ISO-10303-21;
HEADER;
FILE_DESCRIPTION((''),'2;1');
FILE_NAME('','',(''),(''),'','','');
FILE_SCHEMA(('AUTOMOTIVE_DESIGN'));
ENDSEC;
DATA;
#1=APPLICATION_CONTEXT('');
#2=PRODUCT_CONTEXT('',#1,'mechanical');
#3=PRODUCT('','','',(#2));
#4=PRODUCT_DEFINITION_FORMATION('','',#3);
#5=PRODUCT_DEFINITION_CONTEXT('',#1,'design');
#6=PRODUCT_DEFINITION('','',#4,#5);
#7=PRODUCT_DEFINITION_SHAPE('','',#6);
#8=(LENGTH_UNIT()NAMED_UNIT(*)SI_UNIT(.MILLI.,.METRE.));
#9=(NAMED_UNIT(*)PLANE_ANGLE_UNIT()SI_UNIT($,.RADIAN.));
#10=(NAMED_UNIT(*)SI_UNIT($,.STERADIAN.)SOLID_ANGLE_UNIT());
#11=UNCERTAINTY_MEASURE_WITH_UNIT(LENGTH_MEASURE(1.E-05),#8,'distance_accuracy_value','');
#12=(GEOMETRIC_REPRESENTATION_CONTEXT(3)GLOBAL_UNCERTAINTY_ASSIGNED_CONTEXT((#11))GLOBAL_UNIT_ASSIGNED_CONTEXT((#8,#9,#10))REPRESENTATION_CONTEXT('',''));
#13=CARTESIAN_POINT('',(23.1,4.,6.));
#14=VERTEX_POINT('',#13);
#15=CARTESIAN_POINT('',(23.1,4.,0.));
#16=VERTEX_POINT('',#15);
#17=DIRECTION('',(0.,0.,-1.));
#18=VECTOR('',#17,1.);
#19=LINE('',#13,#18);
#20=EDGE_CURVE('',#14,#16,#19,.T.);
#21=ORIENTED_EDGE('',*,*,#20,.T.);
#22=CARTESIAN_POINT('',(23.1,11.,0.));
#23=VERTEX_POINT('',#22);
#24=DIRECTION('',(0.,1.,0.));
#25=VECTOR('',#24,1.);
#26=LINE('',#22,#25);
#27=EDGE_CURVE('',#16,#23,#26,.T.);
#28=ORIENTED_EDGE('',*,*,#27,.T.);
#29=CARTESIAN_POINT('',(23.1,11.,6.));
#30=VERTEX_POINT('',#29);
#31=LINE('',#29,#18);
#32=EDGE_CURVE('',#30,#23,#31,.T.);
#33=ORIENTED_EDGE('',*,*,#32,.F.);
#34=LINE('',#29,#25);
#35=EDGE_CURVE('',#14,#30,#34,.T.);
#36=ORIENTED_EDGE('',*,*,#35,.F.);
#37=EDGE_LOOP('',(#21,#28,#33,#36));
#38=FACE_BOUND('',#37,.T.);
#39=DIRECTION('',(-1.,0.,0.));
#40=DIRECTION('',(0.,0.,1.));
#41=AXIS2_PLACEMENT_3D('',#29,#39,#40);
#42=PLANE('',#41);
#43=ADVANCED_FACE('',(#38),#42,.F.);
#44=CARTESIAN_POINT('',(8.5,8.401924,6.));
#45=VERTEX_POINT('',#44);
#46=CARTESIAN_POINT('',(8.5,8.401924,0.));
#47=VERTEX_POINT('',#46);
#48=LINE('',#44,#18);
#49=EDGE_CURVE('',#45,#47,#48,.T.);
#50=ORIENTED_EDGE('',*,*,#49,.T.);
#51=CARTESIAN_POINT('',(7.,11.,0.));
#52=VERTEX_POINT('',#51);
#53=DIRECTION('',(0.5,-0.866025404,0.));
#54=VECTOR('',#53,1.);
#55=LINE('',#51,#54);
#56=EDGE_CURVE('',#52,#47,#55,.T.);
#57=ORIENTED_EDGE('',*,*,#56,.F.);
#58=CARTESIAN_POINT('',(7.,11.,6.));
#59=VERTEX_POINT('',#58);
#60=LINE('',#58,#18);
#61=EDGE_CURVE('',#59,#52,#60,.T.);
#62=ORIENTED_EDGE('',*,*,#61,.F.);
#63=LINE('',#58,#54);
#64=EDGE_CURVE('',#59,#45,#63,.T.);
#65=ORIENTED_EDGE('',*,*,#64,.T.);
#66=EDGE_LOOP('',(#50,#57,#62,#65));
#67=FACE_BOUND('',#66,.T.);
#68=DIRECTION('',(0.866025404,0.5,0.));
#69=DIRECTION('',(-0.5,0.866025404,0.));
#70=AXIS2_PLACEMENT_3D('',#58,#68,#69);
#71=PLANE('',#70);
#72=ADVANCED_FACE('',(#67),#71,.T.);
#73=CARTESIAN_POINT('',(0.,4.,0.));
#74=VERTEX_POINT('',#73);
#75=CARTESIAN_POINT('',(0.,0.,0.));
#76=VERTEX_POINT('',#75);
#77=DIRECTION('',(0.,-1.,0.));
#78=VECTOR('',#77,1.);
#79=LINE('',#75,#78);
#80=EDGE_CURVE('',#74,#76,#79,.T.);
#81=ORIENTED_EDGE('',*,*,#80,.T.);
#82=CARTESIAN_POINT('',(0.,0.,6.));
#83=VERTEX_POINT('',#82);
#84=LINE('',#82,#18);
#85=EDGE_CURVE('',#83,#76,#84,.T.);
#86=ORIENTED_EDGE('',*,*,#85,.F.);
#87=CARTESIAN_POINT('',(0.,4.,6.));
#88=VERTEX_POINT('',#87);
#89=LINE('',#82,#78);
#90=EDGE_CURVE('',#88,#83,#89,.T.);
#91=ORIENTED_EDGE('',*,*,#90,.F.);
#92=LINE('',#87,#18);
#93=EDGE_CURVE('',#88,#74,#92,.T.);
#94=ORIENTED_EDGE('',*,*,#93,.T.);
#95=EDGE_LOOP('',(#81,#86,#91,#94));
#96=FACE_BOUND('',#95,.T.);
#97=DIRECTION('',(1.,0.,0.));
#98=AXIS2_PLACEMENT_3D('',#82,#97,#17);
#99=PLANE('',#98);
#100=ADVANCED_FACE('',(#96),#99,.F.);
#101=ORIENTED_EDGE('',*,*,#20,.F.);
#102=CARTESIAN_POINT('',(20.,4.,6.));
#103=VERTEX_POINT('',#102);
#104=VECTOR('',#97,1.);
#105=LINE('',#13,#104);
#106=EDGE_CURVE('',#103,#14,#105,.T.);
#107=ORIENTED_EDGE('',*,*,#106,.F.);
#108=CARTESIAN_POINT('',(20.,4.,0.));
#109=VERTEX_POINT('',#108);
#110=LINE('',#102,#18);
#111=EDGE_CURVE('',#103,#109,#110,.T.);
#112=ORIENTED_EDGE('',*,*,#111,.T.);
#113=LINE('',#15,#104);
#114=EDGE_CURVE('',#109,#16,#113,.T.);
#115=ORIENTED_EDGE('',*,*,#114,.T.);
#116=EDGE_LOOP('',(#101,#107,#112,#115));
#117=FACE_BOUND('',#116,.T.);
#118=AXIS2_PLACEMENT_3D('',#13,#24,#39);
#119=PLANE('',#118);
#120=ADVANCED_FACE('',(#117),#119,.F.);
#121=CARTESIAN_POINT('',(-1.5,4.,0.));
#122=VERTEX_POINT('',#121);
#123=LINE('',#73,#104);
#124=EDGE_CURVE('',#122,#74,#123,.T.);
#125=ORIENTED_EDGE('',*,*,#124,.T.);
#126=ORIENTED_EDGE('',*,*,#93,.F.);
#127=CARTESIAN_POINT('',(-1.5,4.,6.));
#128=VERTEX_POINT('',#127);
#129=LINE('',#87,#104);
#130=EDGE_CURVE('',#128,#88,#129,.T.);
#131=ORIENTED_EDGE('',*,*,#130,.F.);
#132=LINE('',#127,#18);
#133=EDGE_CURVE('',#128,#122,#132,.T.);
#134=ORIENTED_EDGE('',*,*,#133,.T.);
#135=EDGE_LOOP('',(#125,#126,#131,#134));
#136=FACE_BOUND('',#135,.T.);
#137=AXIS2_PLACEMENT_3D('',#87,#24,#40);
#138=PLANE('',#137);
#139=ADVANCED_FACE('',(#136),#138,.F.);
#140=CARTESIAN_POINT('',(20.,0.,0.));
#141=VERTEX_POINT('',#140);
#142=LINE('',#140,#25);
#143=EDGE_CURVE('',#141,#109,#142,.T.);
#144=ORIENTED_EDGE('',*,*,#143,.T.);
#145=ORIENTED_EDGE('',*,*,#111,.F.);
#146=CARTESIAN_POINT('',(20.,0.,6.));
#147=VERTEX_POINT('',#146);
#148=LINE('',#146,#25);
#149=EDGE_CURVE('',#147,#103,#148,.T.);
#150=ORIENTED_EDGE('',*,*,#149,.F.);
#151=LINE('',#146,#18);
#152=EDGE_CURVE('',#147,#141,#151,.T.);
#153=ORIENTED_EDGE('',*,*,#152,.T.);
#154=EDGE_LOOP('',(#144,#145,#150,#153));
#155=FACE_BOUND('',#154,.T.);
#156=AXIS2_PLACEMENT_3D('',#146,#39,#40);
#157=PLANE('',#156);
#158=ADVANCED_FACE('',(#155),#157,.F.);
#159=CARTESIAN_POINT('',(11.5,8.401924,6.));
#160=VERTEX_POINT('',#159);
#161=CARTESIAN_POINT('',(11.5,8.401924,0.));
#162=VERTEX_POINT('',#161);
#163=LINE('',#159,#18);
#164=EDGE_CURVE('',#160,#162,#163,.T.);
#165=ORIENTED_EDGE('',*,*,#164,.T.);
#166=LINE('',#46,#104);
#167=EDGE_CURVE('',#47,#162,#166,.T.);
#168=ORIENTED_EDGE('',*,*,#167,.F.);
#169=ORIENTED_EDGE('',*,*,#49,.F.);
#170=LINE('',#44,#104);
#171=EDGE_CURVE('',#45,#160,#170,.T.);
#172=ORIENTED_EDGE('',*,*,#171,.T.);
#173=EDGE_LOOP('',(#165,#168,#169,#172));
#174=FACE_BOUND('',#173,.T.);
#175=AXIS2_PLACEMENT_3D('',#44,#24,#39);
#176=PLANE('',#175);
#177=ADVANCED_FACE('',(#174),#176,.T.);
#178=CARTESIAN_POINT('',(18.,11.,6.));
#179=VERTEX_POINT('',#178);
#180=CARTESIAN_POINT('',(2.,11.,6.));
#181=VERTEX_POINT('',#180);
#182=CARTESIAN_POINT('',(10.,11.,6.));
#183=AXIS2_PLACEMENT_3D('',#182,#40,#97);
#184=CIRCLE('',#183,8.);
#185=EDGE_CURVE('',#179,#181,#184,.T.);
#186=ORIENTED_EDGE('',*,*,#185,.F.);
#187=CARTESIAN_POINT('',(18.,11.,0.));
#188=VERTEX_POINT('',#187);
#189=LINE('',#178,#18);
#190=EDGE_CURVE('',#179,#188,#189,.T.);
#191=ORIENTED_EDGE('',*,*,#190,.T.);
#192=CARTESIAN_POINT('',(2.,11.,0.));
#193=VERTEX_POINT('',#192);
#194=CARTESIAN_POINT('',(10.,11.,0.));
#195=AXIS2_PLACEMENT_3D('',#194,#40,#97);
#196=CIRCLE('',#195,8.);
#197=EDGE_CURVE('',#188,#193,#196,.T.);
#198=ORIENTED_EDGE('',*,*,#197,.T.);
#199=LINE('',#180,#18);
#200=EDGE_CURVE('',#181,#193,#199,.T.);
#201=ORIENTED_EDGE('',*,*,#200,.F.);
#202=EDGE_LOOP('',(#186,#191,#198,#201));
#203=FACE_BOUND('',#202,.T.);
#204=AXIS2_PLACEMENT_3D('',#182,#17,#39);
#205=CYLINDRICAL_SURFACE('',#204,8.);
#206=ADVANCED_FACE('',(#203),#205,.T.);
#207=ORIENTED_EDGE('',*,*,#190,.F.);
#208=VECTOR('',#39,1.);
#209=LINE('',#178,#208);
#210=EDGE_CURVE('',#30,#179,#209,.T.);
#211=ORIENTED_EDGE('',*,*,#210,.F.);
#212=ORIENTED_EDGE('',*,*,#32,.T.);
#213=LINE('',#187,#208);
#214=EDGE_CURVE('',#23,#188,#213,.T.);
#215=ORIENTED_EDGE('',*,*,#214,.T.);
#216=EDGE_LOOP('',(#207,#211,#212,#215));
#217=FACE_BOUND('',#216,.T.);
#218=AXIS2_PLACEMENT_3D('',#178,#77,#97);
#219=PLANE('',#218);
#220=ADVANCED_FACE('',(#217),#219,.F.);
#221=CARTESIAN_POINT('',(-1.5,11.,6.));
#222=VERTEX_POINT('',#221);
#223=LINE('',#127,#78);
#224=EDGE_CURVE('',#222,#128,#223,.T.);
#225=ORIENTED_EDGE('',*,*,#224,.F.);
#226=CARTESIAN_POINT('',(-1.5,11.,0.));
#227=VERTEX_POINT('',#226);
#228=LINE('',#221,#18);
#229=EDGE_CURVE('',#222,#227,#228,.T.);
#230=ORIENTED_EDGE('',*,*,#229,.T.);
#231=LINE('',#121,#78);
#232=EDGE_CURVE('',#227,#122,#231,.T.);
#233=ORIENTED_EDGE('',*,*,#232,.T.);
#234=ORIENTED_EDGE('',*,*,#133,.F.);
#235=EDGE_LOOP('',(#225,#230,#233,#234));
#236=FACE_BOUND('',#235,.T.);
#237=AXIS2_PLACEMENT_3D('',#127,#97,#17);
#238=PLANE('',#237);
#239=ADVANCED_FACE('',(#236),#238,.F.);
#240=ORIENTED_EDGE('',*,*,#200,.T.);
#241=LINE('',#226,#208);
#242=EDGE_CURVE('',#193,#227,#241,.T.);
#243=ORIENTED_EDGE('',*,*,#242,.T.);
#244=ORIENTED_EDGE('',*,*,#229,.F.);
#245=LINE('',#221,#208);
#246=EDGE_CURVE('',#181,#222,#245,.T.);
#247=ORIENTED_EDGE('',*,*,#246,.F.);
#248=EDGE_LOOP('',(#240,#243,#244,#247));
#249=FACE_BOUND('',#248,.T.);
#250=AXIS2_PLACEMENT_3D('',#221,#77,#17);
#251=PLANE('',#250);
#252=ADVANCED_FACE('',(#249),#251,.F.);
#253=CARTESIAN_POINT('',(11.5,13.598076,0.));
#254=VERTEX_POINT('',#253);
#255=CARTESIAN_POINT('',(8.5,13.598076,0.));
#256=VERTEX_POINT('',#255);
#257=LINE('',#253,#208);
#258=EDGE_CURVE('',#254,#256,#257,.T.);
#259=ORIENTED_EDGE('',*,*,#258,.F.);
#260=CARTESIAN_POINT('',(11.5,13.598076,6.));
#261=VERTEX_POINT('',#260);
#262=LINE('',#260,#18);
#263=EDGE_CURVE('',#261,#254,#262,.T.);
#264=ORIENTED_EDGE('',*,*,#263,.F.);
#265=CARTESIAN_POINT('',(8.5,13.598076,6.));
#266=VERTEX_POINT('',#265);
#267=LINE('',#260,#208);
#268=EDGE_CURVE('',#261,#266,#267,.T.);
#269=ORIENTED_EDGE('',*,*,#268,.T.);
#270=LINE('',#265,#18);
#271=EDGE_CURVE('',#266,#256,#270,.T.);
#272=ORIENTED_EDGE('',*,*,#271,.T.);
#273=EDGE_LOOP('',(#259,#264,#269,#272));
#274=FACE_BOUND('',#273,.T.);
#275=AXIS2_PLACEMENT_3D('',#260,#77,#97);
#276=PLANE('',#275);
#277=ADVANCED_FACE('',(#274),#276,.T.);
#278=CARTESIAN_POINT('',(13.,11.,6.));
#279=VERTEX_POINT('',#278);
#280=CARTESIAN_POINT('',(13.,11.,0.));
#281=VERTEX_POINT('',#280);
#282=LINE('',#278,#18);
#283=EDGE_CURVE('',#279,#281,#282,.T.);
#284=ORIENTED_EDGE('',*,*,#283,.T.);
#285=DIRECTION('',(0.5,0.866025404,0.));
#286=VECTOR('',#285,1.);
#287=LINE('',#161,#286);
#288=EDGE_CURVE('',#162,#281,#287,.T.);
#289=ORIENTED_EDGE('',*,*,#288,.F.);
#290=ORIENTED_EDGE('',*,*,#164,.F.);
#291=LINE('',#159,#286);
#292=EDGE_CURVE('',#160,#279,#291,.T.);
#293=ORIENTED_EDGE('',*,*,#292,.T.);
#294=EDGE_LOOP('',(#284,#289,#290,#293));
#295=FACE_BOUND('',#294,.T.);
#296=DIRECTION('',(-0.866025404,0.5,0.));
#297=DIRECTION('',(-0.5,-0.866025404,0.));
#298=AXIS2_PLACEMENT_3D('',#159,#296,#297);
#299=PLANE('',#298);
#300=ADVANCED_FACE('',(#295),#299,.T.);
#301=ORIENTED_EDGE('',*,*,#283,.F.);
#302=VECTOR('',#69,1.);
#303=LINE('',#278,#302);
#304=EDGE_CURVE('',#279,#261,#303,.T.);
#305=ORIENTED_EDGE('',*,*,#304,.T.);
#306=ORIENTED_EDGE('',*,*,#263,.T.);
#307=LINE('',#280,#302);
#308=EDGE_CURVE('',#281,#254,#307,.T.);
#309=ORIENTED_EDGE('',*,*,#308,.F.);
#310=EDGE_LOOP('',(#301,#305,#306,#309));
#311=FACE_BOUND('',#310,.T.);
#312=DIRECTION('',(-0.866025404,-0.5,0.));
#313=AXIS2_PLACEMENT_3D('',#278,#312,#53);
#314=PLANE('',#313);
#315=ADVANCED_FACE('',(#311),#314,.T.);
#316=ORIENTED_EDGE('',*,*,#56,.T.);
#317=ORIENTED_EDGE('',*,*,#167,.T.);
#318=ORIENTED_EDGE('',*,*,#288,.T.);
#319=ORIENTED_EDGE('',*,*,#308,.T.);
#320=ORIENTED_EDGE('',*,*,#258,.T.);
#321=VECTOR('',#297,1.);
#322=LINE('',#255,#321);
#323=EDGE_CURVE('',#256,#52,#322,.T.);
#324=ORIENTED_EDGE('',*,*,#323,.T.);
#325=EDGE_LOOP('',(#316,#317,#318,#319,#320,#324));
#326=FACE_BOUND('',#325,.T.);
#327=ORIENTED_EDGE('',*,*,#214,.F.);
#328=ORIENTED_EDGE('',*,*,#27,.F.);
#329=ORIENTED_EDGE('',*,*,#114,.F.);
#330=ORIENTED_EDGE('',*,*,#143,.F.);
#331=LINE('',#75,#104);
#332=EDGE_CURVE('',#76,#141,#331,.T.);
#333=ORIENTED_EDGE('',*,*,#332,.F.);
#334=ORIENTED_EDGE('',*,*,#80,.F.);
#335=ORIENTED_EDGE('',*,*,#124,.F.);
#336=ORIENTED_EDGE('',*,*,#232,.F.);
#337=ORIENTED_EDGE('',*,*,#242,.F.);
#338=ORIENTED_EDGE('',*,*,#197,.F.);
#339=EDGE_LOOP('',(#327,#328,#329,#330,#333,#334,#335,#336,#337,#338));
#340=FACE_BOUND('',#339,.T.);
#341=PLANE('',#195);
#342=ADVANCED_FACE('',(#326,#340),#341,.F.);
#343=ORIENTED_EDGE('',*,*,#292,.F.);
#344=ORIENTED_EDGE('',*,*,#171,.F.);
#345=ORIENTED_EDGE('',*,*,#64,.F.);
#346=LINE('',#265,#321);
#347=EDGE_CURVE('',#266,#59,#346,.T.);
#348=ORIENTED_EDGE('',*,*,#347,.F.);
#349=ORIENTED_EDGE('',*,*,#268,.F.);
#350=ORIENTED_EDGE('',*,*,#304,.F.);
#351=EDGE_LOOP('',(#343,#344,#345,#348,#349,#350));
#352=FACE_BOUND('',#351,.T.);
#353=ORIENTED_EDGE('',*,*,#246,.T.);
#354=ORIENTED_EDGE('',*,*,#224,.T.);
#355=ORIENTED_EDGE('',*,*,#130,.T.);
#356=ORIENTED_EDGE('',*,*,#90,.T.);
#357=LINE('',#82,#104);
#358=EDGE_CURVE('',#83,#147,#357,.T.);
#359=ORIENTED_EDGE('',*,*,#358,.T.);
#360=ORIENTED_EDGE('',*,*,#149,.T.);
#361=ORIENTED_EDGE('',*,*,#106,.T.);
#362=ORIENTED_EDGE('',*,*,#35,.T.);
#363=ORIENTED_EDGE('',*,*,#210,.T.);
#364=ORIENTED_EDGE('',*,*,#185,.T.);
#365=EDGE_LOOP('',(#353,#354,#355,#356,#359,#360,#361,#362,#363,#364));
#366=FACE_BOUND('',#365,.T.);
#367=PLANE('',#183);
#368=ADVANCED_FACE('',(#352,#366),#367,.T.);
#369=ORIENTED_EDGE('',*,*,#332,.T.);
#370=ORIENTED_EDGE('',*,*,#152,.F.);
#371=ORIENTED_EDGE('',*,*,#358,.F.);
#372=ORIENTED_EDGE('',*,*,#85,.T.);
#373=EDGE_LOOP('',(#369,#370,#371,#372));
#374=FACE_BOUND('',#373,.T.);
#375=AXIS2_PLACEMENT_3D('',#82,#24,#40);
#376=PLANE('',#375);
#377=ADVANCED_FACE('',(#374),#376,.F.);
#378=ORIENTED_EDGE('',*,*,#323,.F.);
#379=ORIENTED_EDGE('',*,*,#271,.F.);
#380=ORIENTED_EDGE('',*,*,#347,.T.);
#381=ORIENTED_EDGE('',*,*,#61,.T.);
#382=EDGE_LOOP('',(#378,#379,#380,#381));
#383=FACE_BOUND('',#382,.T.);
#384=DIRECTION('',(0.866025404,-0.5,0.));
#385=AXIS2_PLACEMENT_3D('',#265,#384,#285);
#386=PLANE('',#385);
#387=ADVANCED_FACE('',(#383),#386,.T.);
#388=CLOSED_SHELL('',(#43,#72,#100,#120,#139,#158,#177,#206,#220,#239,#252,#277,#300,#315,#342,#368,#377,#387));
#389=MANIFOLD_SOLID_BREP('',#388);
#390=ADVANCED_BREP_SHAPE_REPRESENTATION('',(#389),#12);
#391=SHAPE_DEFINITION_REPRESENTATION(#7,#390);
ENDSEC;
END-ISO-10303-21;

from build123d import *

# Parameters (mm, degrees)
BOSS_EXTRUDE1_DEPTH = 6


with BuildPart() as part:
    # Sketch1 → Boss-Extrude1 (new body)
    with BuildSketch(Plane.XY):
        with BuildLine():
            Line((0, 0), (20, 0))
            Line((20, 0), (20, 4))
            Line((20, 4), (23.1, 4))
            Line((23.1, 4), (23.1, 11))
            Line((23.1, 11), (18, 11))
            ThreePointArc((18, 11), (10, 19), (2, 11))
            Line((2, 11), (-1.5, 11))
            Line((-1.5, 11), (-1.5, 4))
            Line((-1.5, 4), (0, 4))
            Line((0, 4), (0, 0))
        make_face()
        Polygon((13, 11), (11.5, 13.598076211), (8.5, 13.598076211), (7, 11), (8.5, 8.401923789), (11.5, 8.401923789), align=None, mode=Mode.SUBTRACT)
    extrude(amount=BOSS_EXTRUDE1_DEPTH)


solid = part.part
